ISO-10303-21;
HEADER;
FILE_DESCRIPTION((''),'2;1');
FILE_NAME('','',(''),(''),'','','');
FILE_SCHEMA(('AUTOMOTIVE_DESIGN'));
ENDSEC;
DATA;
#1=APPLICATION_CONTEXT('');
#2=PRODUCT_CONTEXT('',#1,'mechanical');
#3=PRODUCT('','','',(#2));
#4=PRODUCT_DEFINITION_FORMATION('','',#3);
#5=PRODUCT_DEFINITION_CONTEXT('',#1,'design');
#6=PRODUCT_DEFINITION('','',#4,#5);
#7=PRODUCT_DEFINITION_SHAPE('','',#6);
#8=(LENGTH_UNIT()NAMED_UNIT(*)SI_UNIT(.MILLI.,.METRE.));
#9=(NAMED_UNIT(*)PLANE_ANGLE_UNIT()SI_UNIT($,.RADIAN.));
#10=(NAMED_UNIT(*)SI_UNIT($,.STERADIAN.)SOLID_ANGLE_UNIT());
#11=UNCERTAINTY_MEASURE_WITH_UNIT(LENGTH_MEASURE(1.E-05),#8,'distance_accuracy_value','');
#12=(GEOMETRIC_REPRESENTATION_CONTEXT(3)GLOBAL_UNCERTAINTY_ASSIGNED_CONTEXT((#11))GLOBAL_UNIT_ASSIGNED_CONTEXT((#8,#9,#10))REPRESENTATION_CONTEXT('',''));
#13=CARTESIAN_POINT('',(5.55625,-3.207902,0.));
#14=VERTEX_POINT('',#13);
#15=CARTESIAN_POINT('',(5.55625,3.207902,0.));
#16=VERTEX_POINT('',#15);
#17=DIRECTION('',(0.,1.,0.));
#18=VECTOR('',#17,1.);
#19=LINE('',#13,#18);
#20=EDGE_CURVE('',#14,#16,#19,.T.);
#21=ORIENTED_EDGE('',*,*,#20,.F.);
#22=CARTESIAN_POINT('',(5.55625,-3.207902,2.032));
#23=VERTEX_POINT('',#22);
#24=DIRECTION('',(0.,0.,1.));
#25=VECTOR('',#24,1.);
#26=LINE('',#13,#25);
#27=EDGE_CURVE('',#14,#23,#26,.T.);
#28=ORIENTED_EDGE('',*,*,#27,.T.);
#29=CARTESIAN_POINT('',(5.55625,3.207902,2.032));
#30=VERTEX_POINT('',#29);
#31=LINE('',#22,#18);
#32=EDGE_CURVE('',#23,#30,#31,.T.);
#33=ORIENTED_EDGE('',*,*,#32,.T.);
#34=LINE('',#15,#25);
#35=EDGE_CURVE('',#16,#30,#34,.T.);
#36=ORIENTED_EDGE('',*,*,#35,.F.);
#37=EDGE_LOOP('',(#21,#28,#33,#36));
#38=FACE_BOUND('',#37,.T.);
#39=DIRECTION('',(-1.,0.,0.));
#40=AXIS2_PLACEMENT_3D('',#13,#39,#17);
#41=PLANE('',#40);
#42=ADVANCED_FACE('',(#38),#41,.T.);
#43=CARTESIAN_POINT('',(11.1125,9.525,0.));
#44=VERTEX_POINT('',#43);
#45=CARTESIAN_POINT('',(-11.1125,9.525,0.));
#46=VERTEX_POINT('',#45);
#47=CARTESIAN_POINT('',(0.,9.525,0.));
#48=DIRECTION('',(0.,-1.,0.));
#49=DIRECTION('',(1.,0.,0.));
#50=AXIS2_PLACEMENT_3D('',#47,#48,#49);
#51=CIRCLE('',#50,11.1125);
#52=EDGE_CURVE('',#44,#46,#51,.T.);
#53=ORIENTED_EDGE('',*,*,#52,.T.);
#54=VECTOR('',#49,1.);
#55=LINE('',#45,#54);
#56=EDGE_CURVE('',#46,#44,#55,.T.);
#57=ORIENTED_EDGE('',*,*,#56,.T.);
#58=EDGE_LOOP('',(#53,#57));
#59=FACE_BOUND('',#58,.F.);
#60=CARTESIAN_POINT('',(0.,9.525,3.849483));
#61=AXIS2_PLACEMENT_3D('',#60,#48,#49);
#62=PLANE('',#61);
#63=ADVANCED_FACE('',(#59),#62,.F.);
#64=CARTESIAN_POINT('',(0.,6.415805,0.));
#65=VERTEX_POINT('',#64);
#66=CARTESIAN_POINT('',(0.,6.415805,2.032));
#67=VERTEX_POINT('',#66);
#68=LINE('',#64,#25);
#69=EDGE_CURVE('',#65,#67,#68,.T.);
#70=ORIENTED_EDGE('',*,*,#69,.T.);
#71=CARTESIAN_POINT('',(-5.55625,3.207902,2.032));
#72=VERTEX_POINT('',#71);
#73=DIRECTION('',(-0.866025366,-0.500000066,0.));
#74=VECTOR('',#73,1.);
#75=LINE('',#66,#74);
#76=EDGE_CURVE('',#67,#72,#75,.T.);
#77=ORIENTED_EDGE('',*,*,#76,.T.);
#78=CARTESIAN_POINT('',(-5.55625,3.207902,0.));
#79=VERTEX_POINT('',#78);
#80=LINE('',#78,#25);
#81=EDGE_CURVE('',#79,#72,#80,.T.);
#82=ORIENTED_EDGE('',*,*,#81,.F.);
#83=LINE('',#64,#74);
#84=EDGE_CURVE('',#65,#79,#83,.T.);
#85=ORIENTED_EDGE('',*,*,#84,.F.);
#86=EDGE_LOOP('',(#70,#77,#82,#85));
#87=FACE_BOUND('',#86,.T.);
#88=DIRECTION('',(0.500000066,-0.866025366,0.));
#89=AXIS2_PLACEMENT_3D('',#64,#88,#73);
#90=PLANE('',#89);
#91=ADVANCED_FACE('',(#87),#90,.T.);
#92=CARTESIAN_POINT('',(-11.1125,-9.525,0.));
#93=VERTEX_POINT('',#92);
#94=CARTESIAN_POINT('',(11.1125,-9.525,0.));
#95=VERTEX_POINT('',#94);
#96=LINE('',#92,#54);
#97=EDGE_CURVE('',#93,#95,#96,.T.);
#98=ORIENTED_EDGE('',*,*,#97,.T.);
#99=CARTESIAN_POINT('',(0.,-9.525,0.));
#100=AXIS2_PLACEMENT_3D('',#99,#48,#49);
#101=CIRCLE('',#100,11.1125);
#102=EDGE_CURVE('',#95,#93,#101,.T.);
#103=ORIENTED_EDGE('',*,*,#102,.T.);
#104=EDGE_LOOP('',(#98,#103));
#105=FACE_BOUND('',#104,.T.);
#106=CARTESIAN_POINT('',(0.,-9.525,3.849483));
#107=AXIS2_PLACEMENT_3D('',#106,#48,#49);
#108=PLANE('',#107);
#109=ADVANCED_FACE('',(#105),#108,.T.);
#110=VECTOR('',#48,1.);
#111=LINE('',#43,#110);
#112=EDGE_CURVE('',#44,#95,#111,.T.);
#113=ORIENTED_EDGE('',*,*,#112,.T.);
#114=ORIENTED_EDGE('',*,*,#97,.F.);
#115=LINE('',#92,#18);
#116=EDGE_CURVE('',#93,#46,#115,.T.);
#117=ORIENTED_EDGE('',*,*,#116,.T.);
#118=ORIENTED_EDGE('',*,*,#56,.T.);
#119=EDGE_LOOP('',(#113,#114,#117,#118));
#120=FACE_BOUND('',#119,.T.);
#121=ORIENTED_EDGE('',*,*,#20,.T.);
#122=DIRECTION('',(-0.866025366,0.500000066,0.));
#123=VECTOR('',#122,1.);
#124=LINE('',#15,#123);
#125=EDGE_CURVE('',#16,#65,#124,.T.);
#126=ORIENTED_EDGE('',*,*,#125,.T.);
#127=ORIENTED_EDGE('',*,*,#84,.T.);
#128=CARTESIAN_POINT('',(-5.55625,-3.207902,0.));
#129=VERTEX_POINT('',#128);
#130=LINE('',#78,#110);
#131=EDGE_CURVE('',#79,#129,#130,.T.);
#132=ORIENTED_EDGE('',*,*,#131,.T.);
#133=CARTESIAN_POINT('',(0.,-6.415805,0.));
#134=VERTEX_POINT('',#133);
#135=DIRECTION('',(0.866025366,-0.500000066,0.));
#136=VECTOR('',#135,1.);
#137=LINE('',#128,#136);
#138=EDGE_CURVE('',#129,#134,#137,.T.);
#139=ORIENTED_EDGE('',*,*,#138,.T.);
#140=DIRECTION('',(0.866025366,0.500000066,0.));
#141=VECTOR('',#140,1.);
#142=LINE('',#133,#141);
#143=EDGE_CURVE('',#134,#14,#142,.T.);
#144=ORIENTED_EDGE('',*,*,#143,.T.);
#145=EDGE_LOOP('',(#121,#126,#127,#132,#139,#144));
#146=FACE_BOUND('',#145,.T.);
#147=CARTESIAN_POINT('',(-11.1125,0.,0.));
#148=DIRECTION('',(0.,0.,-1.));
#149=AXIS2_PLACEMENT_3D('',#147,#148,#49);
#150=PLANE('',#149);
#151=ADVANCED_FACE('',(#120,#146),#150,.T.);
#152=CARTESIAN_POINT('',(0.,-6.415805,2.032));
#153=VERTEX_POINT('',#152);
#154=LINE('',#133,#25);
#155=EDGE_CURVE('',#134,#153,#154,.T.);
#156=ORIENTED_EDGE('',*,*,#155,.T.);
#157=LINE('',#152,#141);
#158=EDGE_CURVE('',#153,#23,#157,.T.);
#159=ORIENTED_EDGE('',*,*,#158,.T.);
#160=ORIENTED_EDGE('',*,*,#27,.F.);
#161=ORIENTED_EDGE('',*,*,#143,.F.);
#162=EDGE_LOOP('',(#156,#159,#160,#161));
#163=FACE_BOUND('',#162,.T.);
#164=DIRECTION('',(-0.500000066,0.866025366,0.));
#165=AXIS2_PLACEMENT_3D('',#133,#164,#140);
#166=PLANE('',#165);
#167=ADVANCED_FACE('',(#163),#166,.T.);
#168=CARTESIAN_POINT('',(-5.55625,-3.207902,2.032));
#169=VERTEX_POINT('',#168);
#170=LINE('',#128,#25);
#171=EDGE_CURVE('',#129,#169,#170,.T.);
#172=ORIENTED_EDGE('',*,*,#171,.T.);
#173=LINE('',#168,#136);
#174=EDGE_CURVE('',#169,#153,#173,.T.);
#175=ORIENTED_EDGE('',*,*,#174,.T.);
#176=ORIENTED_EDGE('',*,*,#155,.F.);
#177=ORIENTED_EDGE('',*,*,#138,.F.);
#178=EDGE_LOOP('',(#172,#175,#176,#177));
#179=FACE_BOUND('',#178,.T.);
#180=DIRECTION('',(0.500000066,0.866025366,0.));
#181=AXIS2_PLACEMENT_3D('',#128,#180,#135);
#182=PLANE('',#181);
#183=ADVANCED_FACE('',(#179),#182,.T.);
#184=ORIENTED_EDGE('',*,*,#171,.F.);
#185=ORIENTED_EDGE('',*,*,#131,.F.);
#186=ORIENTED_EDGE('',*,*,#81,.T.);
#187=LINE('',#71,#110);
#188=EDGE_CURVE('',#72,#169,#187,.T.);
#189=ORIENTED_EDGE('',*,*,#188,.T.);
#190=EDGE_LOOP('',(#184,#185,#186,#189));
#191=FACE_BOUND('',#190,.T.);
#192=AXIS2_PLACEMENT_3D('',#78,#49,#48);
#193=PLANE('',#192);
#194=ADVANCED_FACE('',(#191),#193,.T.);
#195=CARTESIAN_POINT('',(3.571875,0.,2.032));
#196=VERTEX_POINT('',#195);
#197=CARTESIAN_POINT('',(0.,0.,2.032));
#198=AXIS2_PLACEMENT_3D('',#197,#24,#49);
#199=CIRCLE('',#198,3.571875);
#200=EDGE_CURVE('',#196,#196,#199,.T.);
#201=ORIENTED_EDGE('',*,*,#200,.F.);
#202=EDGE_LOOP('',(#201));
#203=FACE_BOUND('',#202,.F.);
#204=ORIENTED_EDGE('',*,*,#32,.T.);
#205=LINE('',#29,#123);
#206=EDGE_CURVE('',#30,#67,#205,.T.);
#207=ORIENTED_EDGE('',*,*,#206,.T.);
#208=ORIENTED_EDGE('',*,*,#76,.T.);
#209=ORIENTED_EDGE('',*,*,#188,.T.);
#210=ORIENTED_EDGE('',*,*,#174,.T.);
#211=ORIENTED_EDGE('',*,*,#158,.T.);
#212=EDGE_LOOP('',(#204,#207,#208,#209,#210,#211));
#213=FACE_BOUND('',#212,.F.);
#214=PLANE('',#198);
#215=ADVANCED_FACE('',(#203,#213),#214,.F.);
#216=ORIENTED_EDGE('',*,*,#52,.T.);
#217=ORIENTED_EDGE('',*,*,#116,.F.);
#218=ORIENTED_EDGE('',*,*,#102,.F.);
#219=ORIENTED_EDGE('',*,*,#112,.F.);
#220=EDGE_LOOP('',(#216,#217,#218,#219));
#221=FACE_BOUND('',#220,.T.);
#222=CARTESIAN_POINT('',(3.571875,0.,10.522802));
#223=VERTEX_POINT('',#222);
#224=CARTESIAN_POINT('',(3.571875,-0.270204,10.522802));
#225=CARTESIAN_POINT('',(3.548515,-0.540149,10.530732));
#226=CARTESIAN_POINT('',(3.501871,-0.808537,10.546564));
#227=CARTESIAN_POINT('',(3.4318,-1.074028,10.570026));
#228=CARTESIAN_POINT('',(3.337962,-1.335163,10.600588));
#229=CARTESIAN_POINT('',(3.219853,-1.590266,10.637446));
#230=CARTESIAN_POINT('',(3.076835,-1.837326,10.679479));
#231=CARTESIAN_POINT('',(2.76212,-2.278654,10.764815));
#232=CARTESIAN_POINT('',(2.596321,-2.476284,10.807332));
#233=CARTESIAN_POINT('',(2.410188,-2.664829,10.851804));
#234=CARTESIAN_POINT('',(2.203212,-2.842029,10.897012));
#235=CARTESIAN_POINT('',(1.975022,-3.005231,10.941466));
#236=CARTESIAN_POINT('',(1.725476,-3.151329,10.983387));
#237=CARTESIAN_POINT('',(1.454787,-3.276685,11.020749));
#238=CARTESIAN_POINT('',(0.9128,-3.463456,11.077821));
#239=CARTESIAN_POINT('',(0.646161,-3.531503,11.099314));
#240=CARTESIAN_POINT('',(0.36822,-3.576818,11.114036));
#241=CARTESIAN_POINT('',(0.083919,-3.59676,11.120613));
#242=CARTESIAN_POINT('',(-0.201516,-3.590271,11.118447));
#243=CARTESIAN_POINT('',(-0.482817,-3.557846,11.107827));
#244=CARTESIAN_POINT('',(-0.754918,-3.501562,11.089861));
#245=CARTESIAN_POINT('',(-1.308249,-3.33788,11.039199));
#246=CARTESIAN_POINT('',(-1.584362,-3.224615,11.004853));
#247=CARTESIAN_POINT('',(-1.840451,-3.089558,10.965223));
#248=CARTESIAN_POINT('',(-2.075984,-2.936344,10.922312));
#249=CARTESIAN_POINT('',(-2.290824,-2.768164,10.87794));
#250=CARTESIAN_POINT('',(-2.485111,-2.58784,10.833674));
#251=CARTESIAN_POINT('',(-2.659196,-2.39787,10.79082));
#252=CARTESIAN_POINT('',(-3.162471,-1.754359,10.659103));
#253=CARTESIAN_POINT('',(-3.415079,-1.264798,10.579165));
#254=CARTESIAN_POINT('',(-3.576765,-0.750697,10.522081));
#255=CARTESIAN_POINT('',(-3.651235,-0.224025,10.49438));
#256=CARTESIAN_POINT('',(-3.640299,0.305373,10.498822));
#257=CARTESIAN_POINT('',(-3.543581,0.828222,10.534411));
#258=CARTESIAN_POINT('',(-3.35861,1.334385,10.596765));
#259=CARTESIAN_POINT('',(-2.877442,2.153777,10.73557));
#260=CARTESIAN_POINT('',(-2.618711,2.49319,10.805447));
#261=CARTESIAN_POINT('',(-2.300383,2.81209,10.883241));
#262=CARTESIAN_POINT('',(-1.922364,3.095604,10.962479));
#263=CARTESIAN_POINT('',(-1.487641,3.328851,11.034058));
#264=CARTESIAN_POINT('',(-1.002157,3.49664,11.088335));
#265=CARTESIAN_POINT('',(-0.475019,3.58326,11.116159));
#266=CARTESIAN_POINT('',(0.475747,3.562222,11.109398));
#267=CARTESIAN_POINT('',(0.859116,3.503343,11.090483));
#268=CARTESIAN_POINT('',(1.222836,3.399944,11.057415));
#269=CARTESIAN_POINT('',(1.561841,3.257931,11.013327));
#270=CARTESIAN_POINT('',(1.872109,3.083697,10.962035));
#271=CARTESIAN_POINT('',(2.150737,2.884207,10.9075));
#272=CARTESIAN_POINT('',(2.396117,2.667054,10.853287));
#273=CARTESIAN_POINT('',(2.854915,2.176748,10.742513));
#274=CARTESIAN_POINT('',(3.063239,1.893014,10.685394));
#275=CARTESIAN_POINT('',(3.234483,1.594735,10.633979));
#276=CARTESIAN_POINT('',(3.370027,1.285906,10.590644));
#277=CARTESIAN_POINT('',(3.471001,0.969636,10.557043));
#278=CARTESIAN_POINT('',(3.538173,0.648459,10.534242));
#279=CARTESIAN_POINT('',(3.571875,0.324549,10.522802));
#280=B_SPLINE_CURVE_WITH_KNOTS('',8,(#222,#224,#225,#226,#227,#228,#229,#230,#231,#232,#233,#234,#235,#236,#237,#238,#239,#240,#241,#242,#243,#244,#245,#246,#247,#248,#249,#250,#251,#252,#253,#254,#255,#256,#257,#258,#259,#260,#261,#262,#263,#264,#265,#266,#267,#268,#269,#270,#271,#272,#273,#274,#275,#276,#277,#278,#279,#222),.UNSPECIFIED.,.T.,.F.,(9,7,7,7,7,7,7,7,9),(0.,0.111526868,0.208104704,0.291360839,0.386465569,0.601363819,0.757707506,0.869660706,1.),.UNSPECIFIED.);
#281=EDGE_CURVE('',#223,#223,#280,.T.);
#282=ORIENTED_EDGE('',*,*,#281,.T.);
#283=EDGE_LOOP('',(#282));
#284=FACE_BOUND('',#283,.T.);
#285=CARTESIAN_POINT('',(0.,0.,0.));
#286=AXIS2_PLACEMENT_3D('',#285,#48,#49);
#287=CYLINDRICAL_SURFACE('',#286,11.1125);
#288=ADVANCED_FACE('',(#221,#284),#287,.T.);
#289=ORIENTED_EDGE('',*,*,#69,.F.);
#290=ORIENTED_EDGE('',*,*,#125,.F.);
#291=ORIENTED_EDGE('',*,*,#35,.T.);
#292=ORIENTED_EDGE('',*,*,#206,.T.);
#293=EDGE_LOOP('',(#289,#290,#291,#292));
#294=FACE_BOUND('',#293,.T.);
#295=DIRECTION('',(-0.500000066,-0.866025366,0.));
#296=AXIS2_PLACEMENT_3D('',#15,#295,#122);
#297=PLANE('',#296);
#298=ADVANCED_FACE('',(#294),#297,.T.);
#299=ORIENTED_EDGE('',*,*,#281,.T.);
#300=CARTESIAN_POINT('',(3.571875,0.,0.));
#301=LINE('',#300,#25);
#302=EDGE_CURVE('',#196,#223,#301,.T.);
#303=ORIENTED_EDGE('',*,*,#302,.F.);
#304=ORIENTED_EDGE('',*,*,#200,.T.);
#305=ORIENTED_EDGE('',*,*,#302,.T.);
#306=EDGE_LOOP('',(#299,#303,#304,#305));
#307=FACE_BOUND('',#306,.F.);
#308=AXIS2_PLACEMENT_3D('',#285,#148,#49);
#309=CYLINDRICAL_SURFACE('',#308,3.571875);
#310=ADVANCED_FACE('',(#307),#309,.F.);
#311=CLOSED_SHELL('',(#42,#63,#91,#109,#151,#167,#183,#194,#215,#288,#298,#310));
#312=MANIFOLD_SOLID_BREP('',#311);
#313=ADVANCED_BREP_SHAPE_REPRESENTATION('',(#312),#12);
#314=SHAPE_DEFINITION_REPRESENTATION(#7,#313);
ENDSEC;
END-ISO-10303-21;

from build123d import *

# Parameters (mm, degrees)
F2_DEPTH  = 9.525
F0_R      = 3.571875
F3_DEPTH  = 2.032
F3_FACE_R = 3.571875
F4_DEPTH  = 25.4


with BuildPart() as f2:
    # F1 (on Front) → F2 (new body, symmetric)
    with BuildSketch(Plane.XZ):
        with BuildLine():
            Line((-11.1125, 0), (11.1125, 0))
            ThreePointArc((11.1125, 0), (0, 11.1125), (-11.1125, 0))
        make_face()
    extrude(amount=F2_DEPTH, both=True)

    # F0 (on Top) → F3 (cut)
    with BuildSketch(Plane.XY):
        Polygon((5.55625, -3.207902), (5.55625, 3.207902), (0, 6.415805), (-5.55625, 3.207902), (-5.55625, -3.207902), (0, -6.415805), align=None)
        Circle(F0_R, mode=Mode.SUBTRACT)
    extrude(amount=F3_DEPTH, mode=Mode.SUBTRACT)

    # F3_face (on face) → F4 (cut)
    with BuildSketch(Plane(origin=(0, 0, 0), x_dir=(1, 0, 0), z_dir=(0, 0, -1))):
        Circle(F3_FACE_R)
    extrude(amount=-F4_DEPTH, mode=Mode.SUBTRACT)


solid = f2.part
